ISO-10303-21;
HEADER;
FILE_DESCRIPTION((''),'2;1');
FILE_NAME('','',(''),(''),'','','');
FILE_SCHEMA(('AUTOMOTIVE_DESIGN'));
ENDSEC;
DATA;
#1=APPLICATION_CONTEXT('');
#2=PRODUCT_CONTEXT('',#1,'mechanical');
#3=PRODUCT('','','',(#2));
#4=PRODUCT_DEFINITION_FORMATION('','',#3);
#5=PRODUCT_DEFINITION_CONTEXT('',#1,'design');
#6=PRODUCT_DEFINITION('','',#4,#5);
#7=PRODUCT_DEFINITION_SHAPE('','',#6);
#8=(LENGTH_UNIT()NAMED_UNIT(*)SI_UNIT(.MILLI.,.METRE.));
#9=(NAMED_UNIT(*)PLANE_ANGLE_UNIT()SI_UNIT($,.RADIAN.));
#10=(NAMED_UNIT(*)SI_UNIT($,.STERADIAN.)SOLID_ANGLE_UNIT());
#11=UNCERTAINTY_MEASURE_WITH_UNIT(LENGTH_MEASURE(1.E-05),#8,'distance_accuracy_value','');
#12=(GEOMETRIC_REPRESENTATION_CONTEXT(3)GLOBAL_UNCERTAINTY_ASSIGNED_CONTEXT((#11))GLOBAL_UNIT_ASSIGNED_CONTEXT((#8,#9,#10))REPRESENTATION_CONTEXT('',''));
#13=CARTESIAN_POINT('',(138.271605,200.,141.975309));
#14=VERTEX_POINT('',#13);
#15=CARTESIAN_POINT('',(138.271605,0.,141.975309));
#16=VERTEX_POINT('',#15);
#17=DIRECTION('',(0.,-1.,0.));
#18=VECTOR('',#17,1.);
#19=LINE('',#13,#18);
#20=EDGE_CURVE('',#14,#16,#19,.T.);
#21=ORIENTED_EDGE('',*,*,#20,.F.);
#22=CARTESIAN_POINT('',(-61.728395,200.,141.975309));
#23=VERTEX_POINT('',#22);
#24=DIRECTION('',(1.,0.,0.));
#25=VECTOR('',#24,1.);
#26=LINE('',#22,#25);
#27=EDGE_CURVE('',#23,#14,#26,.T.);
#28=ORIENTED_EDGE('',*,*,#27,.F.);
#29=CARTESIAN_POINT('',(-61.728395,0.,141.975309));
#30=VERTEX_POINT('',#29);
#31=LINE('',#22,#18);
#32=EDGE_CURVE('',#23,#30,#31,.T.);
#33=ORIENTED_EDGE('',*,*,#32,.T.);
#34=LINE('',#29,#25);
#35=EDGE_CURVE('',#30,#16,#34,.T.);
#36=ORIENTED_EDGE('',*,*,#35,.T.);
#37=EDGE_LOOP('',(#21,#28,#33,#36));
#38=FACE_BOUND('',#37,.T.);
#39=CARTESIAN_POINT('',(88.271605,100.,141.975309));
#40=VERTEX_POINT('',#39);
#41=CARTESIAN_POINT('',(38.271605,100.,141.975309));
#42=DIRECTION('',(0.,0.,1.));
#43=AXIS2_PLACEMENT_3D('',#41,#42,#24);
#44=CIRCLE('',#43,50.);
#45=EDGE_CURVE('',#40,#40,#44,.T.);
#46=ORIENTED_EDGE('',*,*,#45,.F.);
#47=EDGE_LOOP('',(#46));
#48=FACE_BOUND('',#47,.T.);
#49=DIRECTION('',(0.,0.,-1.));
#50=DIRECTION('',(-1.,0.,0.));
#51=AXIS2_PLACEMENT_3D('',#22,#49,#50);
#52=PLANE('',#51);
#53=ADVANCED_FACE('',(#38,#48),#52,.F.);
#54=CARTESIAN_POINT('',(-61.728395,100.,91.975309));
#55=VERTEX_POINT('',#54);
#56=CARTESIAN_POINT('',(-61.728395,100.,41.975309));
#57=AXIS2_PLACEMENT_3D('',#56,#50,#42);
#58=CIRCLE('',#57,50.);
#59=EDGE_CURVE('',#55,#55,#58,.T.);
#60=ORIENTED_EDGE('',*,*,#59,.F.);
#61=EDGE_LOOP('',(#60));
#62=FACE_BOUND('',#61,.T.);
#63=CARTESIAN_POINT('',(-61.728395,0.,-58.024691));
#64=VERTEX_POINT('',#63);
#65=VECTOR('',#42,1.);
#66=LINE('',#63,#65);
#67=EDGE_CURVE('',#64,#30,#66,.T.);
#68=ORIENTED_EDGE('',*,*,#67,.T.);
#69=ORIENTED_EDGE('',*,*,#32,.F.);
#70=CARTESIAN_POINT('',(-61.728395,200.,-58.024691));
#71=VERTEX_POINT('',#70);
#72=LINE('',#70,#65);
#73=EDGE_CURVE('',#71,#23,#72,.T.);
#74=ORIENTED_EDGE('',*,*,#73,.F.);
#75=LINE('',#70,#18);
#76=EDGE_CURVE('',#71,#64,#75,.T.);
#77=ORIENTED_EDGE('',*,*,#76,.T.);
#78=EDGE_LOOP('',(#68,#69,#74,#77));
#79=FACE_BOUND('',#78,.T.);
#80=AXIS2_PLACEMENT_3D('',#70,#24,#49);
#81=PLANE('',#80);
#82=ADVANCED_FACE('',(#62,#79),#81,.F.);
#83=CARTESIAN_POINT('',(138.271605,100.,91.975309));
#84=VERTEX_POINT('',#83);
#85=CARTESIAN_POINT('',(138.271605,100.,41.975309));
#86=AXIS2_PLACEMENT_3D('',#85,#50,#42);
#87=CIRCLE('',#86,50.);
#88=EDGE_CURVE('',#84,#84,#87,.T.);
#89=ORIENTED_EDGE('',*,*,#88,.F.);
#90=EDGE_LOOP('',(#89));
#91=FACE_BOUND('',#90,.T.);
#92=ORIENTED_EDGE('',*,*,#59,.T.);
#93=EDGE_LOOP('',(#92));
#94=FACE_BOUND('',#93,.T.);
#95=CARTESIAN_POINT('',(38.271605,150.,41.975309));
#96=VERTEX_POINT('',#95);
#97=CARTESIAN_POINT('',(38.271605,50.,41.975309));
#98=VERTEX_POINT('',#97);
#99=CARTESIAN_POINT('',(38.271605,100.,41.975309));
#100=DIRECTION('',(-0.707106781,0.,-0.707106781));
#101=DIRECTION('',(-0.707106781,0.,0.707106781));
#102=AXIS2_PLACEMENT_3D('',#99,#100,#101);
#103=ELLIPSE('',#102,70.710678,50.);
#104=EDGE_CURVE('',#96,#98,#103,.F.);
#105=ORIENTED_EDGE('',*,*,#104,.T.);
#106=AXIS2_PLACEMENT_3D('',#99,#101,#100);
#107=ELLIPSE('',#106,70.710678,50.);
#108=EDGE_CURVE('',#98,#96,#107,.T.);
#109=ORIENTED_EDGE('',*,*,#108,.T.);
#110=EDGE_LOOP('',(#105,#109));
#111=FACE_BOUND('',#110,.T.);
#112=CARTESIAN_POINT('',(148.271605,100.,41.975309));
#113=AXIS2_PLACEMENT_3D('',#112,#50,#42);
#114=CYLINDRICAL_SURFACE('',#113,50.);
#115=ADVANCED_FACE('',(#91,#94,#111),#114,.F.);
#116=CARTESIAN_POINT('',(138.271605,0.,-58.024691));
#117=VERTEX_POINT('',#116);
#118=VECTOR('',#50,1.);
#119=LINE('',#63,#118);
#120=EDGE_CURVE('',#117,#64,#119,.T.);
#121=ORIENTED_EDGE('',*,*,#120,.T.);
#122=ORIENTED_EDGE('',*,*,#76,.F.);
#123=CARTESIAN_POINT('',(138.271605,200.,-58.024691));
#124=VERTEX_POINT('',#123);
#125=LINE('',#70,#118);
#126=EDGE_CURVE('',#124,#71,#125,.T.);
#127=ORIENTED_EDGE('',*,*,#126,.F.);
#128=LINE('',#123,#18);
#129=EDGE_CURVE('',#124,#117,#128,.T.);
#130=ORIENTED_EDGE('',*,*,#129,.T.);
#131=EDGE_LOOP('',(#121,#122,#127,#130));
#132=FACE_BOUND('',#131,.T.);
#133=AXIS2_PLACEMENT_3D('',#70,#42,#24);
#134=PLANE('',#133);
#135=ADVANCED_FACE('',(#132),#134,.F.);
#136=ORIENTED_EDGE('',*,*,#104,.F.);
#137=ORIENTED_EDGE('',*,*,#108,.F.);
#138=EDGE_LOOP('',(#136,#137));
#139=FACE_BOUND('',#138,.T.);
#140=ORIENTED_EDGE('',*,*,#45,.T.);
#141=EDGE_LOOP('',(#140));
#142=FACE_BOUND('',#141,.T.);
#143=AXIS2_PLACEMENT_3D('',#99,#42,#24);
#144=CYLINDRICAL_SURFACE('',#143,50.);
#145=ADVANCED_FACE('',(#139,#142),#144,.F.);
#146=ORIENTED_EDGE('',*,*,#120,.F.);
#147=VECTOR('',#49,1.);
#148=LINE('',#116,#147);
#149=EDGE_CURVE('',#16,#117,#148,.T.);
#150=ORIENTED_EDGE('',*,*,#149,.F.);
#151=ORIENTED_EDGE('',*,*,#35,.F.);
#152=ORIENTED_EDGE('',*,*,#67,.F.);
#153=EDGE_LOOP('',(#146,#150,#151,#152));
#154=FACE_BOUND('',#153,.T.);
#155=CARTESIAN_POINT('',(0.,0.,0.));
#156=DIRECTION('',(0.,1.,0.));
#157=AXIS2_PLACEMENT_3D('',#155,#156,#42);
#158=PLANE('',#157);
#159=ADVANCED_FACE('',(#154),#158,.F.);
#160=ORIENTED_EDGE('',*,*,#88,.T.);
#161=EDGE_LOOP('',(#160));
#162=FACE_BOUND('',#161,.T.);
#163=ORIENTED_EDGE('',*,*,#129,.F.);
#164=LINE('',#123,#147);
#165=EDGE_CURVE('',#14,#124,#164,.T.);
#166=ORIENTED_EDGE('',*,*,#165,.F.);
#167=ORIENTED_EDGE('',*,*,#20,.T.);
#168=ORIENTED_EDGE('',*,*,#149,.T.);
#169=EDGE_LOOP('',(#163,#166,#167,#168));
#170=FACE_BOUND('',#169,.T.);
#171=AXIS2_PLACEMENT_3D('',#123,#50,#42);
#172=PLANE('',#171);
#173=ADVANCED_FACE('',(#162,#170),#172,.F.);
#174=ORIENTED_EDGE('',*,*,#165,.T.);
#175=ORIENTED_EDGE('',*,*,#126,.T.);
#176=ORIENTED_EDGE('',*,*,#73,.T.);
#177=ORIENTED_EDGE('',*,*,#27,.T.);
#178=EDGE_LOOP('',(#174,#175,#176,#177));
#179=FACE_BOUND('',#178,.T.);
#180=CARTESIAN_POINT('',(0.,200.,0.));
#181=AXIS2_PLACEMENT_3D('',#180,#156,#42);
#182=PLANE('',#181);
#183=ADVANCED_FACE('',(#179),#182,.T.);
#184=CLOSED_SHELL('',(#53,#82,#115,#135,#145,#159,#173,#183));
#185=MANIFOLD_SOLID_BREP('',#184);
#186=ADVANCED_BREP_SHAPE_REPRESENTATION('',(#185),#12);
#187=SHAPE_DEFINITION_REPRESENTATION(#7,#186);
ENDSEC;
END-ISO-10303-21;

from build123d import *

# Parameters (mm, degrees)
SKETCH1_W           = 200
SKETCH1_H           = 200
BOSS_EXTRUDE1_DEPTH = 200
SKETCH2_R           = 50
CUT_EXTRUDE2_DEPTH  = 210
SKETCH4_R           = 50
CUT_EXTRUDE3_DEPTH  = 100


with BuildPart() as part:
    # Sketch1 → Boss-Extrude1 (new body)
    with BuildSketch(Plane(origin=(0, 0, 0), x_dir=(1, 0, 0), z_dir=(0, 1, 0))):
        with Locations((38.271604938, -41.975308642)):
            Rectangle(SKETCH1_W, SKETCH1_H)
    extrude(amount=BOSS_EXTRUDE1_DEPTH)

    # Sketch2 → Cut-Extrude2 (cut)
    with BuildSketch(Plane.ZY.offset(61.728395062)):
        with Locations((41.975308642, 100)):
            Circle(SKETCH2_R)
    extrude(amount=-CUT_EXTRUDE2_DEPTH, mode=Mode.SUBTRACT)

    # Sketch4 → Cut-Extrude3 (cut)
    with BuildSketch(Plane.XY.offset(141.975308642)):
        with Locations((38.271604938, 100)):
            Circle(SKETCH4_R)
    extrude(amount=-CUT_EXTRUDE3_DEPTH, mode=Mode.SUBTRACT)


solid = part.part
